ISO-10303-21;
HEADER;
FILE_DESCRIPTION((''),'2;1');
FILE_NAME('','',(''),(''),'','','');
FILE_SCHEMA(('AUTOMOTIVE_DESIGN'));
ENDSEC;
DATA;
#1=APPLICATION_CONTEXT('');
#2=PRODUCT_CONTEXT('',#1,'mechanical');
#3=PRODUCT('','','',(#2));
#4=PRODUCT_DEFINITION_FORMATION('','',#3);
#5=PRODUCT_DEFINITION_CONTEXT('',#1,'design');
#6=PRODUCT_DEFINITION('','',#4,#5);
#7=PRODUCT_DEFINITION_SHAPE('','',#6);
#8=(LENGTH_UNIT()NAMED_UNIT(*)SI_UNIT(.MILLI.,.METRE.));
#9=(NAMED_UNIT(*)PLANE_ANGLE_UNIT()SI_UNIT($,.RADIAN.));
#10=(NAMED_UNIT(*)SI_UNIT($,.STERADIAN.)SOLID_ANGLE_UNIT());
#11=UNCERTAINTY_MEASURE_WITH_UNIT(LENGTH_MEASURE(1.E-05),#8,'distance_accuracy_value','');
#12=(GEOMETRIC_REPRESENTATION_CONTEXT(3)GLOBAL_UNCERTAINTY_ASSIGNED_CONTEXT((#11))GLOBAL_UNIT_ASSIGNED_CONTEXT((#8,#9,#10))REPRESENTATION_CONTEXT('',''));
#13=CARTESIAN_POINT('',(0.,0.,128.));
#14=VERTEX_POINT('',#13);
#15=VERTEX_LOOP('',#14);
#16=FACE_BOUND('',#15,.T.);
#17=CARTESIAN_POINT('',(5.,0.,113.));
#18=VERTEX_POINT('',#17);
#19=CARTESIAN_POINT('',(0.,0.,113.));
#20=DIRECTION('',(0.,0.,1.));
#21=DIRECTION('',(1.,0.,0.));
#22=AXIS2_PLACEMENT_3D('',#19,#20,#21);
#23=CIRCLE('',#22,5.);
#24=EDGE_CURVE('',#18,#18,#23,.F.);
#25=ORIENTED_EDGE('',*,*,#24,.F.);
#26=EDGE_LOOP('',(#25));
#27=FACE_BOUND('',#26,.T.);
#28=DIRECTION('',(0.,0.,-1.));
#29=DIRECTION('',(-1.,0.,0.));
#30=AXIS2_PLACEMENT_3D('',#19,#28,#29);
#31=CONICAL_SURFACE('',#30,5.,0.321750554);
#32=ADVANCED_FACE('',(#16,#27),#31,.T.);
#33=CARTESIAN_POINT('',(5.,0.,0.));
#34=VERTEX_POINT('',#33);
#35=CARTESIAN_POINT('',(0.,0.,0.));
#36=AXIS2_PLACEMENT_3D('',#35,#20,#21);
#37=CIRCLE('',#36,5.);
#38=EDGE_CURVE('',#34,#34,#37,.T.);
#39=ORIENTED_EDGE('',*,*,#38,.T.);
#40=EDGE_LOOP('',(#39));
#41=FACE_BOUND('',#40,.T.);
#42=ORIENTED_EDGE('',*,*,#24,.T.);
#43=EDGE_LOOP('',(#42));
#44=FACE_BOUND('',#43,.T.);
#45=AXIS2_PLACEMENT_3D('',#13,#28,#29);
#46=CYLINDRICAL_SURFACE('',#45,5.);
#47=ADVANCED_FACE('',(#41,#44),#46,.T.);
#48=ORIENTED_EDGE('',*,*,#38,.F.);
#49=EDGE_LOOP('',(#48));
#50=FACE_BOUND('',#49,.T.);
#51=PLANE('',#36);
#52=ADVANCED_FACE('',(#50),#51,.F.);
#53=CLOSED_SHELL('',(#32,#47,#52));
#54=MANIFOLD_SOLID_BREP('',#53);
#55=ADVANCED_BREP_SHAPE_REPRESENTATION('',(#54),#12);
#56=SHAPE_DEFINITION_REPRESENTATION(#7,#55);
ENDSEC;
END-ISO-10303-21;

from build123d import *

# Parameters (mm, degrees)
ESQUISSE1_R        = 5
BOSS_EXTRU_1_DEPTH = 128
CHANFREIN1_SIZE    = 15
CHANFREIN1_SIZE2   = 5


with BuildPart() as part:
    # Esquisse1 → Boss.-Extru.1 (new body)
    with BuildSketch(Plane.XY):
        Circle(ESQUISSE1_R)
    extrude(amount=BOSS_EXTRU_1_DEPTH)

    # Chanfrein1
    chanfrein1_edges = [part.edges().sort_by_distance(p)[0] for p in [
        (-5, 0, 128),
    ]]
    chanfrein1_side = [part.faces().sort_by_distance(p)[0] for p in [
        (-5, 0, 64),
    ]]
    chamfer(chanfrein1_edges, length=CHANFREIN1_SIZE, length2=CHANFREIN1_SIZE2, reference=chanfrein1_side[0])


solid = part.part
